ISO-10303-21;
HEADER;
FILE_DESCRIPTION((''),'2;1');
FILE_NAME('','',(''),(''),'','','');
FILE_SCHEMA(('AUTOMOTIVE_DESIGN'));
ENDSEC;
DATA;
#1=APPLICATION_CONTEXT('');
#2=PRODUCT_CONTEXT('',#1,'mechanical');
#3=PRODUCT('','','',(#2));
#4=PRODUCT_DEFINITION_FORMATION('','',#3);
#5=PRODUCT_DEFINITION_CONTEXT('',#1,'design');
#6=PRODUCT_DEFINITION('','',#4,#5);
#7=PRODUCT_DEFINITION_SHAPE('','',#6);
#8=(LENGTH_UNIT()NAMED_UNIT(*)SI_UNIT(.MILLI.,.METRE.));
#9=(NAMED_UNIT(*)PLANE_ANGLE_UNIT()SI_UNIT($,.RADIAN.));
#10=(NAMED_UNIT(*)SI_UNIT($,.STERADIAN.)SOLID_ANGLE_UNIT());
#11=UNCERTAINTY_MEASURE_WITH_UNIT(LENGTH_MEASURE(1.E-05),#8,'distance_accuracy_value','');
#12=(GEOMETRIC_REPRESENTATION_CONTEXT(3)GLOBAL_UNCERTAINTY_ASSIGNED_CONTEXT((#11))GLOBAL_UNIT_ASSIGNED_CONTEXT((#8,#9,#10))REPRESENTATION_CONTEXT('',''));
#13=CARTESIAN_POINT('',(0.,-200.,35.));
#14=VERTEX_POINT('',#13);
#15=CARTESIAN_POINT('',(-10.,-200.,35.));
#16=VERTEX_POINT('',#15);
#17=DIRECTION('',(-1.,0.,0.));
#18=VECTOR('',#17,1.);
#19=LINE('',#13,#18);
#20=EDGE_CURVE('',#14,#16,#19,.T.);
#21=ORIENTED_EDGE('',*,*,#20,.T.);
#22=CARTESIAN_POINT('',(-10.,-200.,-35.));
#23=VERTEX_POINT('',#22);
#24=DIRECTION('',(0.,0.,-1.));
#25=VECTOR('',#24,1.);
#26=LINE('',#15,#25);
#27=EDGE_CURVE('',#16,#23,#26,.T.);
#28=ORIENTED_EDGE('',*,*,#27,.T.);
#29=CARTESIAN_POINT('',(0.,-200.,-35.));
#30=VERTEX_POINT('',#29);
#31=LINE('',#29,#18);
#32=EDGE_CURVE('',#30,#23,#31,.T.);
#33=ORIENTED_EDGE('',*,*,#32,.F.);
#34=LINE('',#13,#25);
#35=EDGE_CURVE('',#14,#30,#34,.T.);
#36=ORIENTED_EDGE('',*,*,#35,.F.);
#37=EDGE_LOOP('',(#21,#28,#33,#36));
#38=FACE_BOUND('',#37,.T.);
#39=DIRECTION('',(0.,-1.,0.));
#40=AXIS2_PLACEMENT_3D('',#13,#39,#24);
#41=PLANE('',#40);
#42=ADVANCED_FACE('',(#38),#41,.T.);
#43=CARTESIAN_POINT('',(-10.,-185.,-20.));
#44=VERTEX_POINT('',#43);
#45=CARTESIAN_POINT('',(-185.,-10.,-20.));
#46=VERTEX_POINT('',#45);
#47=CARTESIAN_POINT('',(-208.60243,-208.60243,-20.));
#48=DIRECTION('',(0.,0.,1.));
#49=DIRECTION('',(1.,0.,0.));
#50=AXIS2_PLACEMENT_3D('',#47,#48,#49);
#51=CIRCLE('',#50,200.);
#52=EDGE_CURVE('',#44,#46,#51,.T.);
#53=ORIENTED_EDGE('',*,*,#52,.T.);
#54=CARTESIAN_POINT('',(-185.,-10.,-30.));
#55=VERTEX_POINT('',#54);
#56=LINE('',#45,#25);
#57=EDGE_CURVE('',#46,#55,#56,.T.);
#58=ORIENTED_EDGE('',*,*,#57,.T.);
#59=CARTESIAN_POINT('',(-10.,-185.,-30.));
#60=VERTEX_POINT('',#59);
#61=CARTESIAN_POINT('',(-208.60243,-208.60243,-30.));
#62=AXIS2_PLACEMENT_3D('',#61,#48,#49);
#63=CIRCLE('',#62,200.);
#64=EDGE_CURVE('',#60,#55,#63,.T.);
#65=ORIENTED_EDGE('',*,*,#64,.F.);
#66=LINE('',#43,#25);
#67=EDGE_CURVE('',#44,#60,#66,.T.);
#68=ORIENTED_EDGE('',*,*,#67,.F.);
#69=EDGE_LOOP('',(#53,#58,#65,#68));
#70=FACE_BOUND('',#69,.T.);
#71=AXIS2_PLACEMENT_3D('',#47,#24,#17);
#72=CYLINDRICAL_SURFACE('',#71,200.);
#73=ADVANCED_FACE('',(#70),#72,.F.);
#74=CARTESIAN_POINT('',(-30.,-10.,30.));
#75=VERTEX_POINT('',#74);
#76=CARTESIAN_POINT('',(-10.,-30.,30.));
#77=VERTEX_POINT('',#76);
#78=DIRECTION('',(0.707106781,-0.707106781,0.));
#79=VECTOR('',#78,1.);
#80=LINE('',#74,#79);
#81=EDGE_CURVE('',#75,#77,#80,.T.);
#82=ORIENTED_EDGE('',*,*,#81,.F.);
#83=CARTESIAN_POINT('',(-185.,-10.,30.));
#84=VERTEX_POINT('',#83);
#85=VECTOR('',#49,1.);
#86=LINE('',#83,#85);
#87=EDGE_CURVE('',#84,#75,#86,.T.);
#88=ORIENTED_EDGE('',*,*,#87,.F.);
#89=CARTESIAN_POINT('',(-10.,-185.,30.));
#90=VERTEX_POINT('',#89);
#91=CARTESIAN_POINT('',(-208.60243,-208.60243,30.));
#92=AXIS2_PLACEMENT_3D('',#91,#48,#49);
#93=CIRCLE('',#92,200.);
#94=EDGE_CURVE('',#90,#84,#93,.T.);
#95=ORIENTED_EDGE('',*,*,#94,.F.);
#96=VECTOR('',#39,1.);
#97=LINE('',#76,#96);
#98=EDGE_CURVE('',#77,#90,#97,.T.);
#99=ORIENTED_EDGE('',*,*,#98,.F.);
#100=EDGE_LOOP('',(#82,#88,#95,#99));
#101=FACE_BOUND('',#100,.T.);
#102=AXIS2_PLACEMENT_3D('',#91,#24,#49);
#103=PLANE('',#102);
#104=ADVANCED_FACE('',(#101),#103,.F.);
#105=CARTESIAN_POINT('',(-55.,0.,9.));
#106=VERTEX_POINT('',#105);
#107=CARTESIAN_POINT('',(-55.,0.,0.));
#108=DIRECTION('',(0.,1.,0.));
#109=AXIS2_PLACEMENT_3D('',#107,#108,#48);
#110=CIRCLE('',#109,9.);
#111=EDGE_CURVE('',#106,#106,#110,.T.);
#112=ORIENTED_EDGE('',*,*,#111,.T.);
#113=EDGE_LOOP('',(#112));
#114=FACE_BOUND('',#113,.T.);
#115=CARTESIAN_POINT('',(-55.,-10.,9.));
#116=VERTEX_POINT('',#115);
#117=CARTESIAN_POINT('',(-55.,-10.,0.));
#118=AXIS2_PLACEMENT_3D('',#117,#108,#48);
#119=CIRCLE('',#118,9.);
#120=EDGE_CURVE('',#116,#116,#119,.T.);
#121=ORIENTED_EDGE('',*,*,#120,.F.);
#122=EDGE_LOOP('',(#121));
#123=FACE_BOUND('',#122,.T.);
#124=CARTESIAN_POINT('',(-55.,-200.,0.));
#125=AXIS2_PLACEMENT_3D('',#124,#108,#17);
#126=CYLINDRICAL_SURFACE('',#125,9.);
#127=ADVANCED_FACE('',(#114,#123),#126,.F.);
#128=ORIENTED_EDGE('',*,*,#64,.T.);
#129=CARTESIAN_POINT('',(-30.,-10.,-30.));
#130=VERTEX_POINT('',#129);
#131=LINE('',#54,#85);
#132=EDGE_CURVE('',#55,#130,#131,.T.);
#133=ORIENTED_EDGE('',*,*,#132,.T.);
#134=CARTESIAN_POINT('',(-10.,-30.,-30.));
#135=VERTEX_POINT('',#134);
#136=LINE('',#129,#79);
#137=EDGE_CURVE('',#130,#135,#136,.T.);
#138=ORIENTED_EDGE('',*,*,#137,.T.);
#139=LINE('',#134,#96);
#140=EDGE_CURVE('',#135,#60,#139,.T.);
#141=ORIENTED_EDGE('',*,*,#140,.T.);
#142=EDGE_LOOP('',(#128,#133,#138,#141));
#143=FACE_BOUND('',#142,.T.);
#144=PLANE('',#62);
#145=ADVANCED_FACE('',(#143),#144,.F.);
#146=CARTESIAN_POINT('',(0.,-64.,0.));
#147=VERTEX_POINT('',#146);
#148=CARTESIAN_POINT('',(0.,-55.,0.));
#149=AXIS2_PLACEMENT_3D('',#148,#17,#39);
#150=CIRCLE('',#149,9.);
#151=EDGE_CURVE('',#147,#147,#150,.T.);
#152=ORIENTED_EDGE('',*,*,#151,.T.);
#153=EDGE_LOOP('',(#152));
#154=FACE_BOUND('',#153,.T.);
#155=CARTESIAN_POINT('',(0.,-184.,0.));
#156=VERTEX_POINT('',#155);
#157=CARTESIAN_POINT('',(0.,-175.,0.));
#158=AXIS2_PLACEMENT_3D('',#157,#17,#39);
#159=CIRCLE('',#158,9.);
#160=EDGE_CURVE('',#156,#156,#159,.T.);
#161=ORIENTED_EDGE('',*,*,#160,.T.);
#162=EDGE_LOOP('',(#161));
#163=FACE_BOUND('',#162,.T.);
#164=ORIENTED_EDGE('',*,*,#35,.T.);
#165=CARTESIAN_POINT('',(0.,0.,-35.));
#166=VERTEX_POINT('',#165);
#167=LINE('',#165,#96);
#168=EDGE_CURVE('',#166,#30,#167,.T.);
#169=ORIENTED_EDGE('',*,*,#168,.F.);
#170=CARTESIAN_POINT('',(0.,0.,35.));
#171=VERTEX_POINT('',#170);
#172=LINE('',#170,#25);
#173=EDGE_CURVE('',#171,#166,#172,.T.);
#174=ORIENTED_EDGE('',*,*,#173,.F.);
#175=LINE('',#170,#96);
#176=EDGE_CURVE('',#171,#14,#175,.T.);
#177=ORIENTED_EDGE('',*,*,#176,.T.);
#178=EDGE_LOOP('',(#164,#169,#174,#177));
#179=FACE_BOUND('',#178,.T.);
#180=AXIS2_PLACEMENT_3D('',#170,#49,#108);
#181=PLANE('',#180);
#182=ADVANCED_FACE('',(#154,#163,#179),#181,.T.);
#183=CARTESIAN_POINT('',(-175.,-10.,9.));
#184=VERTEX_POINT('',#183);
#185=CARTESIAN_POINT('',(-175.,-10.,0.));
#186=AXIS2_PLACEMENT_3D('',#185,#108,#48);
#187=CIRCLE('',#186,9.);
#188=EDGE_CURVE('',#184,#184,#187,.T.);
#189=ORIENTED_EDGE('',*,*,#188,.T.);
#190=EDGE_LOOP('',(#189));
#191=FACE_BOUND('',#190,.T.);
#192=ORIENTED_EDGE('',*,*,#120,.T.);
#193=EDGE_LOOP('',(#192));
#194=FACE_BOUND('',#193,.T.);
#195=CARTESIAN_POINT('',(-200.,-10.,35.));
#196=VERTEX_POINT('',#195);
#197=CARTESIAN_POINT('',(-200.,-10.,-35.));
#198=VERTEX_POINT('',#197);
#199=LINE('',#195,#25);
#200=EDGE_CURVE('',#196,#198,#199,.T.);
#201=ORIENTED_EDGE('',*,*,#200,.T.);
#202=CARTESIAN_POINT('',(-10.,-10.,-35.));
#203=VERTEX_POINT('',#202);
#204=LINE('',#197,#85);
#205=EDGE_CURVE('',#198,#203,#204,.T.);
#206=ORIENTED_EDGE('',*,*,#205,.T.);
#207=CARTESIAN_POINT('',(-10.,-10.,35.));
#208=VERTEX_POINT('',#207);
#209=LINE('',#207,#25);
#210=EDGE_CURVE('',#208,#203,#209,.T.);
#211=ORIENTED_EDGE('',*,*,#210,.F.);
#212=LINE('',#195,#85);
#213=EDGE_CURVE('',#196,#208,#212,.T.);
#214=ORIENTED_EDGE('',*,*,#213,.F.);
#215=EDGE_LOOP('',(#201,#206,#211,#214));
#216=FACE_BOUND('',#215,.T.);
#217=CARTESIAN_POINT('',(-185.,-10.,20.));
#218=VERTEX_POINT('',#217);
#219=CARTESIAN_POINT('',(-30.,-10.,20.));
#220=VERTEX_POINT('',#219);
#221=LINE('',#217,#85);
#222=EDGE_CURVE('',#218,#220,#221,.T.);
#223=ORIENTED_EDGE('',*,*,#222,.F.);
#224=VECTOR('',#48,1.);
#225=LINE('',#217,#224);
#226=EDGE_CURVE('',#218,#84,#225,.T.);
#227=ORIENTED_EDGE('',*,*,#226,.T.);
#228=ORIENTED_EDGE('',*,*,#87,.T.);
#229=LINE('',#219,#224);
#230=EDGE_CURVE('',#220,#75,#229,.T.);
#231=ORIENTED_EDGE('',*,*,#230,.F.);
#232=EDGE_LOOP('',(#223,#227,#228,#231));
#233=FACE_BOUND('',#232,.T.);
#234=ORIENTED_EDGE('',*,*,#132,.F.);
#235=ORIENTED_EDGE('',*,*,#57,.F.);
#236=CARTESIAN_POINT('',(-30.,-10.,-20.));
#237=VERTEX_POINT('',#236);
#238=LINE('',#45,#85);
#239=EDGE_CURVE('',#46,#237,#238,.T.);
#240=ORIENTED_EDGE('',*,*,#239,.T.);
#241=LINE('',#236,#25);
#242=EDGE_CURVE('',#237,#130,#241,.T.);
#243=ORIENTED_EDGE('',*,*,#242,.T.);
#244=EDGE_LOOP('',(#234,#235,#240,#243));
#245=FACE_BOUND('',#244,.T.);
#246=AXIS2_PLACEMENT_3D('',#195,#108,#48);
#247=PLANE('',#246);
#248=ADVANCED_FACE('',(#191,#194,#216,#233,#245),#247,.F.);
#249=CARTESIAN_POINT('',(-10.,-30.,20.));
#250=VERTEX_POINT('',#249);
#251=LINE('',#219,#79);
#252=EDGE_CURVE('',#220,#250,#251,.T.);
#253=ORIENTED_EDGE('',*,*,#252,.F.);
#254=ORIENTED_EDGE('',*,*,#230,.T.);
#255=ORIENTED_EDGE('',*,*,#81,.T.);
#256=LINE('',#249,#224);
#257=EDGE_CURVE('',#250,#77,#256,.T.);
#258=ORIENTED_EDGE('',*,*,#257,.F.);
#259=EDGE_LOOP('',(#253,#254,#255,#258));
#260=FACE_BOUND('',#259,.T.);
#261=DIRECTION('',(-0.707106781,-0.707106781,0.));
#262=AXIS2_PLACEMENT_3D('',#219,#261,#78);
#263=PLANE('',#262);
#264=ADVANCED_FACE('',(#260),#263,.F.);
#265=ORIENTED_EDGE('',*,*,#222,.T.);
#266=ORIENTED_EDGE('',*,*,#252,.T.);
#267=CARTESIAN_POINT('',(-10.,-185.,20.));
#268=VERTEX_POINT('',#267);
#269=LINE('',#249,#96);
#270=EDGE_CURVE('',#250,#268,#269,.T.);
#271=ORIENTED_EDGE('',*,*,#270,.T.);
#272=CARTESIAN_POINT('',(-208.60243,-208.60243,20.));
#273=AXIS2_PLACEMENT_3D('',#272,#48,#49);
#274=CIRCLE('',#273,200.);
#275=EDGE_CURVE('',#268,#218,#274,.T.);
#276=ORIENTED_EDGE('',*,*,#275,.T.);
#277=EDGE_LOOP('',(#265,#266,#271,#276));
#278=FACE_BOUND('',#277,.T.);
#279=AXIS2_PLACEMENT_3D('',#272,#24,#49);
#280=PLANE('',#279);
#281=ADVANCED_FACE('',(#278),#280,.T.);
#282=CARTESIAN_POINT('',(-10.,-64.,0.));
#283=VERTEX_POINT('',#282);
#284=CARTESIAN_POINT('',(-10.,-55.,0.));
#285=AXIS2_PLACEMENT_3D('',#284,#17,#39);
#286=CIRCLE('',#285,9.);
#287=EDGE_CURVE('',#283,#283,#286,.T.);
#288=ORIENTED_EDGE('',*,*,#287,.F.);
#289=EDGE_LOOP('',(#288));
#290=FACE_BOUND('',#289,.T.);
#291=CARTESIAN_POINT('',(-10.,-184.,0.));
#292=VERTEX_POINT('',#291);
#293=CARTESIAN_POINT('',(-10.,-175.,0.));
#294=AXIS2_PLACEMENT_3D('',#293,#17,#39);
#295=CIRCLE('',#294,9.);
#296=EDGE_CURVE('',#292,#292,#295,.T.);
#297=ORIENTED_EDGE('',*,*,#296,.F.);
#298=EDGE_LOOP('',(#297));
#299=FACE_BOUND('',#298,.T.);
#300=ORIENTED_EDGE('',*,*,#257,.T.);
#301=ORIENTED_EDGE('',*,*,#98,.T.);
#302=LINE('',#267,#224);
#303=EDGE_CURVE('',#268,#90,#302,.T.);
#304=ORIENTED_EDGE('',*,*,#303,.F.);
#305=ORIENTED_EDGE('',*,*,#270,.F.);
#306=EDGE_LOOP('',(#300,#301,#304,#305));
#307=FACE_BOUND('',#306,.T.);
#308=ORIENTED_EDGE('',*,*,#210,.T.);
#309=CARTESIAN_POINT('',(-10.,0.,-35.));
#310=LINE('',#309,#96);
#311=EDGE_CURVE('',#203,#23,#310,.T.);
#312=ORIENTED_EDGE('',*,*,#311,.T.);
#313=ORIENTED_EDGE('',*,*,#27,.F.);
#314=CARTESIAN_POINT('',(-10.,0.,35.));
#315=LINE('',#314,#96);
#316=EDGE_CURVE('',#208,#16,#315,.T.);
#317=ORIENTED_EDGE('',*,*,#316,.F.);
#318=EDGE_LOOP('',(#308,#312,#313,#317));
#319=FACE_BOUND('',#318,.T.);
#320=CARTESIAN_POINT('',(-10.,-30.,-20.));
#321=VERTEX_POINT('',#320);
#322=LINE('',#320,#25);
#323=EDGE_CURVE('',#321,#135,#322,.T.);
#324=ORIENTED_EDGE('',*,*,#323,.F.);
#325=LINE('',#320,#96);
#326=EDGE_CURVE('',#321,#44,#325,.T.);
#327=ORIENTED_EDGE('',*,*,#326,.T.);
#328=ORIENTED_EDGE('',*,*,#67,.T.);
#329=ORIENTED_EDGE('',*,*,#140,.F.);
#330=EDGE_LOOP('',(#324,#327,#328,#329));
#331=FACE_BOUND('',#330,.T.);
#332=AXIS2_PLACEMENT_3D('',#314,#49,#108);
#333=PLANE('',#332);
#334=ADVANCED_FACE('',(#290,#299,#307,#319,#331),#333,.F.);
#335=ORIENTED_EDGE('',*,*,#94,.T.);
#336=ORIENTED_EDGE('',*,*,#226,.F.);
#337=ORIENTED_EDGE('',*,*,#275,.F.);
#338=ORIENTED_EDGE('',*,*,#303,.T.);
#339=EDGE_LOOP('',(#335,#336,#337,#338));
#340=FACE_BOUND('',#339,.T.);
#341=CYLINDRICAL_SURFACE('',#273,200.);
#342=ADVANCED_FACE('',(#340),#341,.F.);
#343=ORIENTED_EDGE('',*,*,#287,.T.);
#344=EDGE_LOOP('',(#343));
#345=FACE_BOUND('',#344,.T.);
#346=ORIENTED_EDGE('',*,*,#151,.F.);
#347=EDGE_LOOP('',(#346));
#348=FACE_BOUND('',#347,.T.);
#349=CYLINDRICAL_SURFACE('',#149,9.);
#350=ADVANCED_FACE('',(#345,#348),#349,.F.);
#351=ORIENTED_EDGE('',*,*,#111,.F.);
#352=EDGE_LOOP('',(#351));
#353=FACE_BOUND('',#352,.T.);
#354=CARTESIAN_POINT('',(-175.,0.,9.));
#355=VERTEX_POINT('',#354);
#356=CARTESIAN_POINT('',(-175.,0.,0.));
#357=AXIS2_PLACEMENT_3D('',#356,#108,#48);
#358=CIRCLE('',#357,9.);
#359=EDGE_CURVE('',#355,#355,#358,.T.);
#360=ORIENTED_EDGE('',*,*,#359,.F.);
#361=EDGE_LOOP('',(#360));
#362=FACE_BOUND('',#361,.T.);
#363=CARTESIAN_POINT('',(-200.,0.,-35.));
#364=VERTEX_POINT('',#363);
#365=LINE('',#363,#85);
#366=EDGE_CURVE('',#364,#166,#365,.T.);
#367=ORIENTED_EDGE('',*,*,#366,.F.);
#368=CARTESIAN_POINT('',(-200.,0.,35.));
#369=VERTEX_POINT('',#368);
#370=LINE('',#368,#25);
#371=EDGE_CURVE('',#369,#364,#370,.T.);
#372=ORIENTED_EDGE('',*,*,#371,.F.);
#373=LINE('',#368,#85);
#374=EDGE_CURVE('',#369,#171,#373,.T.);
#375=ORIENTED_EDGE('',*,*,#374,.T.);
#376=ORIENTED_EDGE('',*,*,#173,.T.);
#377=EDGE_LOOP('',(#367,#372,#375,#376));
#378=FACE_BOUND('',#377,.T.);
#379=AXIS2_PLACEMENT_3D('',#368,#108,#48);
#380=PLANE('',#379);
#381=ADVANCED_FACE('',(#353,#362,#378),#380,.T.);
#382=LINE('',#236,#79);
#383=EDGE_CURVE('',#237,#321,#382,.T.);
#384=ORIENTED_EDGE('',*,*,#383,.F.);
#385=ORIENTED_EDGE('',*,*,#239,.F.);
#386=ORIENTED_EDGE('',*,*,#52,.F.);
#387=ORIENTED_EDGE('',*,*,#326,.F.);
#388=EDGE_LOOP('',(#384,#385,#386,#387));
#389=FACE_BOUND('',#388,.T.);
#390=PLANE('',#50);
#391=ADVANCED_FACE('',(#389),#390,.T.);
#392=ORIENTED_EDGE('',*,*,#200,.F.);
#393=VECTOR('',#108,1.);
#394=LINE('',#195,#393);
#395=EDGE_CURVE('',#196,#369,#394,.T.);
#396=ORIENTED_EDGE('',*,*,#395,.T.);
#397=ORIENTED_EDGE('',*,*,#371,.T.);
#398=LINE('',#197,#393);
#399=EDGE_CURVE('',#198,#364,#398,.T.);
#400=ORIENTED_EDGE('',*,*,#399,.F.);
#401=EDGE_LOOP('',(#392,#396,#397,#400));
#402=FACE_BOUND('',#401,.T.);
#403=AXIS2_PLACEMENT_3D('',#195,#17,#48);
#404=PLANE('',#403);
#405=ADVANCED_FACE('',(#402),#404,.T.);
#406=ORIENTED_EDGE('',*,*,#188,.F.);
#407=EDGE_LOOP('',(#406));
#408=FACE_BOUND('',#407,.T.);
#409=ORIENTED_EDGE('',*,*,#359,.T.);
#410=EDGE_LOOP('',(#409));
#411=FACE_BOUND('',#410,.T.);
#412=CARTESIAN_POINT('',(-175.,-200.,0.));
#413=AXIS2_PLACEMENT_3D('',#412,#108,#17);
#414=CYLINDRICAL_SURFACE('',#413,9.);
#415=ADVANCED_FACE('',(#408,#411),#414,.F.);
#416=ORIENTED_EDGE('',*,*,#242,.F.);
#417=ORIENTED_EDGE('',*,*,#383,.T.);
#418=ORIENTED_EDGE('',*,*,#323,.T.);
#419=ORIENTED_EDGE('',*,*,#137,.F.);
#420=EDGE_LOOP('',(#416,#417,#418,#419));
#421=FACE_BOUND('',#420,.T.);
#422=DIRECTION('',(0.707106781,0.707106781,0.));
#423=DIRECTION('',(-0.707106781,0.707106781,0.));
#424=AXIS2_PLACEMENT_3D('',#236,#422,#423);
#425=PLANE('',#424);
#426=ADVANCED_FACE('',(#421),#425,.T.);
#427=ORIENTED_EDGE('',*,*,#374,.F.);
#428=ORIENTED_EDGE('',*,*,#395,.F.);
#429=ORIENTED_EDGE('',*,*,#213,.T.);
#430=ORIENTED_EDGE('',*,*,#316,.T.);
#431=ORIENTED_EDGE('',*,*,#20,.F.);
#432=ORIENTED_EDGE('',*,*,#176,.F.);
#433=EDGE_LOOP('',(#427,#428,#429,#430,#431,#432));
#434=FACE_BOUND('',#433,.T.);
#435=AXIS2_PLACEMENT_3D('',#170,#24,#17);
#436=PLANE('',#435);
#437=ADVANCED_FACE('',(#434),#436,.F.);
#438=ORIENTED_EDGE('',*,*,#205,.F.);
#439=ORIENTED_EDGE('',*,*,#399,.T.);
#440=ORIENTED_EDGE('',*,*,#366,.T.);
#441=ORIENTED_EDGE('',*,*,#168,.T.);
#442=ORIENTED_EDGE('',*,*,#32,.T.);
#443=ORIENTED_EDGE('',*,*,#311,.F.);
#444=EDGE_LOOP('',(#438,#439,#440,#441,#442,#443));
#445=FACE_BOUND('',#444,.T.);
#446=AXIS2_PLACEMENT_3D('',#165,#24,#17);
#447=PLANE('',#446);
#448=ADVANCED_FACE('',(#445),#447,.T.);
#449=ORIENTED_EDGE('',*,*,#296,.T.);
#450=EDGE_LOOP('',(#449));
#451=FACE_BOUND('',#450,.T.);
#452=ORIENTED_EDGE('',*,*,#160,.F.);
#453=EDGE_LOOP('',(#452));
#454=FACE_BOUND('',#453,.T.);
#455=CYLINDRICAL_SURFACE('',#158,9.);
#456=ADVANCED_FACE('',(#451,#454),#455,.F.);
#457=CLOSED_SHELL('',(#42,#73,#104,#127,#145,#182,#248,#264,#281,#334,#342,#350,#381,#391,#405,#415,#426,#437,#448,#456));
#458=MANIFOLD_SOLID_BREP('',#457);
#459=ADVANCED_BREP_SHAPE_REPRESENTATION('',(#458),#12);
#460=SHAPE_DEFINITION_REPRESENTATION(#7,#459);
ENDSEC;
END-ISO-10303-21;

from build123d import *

# Parameters (mm, degrees)
EXTRUDE_THIN1_DEPTH = 35
BOSS_EXTRUDE2_DEPTH = 10
SKETCH4_R           = 9
CUT_EXTRUDE1_DEPTH  = 279.07373123
CIRPATTERN1_COUNT   = 4


with BuildPart() as part:
    # Sketch2 → Extrude-Thin1 (new, symmetric)
    with BuildSketch(Plane.XY):
        Polygon((-200, 0), (0, 0), (0, -200), (-10, -200), (-10, -10), (-200, -10), align=None)
    extrude(amount=EXTRUDE_THIN1_DEPTH, both=True)

    # Sketch3 → Boss-Extrude2 (add)
    with BuildSketch(Plane(origin=(0, 0, -30), x_dir=(-1, 0, 0), z_dir=(0, 0, -1))):
        with BuildLine():
            Line((30, -10), (10, -30))
            Line((10, -30), (10, -185))
            ThreePointArc((10, -185), (67.181073979, -67.181073979), (185, -10))
            Line((185, -10), (30, -10))
        make_face()
    boss_extrude2 = extrude(amount=-BOSS_EXTRUDE2_DEPTH)

    # Mirror1: Boss-Extrude2 across plane
    add(boss_extrude2.mirror(Plane.XY))

    # Sketch4 → Cut-Extrude1 (cut, through all)
    with BuildSketch(Plane.ZY.offset(10)):
        with Locations(Location((0, -55, 0), (0, 0, 270))):
            Circle(SKETCH4_R)
        with Locations(Location((0, -175, 0), (0, 0, 270))):
            Circle(SKETCH4_R)
    cut_extrude1 = extrude(amount=-CUT_EXTRUDE1_DEPTH, mode=Mode.SUBTRACT)

    # CirPattern1: Cut-Extrude1 ×4 about axis
    cirpattern1_axis = Axis((0, 0, 35), (0, 0, -1))
    for i in range(1, CIRPATTERN1_COUNT):
        add(cut_extrude1.rotate(cirpattern1_axis, i * 360 / CIRPATTERN1_COUNT), mode=Mode.SUBTRACT)


solid = part.part
